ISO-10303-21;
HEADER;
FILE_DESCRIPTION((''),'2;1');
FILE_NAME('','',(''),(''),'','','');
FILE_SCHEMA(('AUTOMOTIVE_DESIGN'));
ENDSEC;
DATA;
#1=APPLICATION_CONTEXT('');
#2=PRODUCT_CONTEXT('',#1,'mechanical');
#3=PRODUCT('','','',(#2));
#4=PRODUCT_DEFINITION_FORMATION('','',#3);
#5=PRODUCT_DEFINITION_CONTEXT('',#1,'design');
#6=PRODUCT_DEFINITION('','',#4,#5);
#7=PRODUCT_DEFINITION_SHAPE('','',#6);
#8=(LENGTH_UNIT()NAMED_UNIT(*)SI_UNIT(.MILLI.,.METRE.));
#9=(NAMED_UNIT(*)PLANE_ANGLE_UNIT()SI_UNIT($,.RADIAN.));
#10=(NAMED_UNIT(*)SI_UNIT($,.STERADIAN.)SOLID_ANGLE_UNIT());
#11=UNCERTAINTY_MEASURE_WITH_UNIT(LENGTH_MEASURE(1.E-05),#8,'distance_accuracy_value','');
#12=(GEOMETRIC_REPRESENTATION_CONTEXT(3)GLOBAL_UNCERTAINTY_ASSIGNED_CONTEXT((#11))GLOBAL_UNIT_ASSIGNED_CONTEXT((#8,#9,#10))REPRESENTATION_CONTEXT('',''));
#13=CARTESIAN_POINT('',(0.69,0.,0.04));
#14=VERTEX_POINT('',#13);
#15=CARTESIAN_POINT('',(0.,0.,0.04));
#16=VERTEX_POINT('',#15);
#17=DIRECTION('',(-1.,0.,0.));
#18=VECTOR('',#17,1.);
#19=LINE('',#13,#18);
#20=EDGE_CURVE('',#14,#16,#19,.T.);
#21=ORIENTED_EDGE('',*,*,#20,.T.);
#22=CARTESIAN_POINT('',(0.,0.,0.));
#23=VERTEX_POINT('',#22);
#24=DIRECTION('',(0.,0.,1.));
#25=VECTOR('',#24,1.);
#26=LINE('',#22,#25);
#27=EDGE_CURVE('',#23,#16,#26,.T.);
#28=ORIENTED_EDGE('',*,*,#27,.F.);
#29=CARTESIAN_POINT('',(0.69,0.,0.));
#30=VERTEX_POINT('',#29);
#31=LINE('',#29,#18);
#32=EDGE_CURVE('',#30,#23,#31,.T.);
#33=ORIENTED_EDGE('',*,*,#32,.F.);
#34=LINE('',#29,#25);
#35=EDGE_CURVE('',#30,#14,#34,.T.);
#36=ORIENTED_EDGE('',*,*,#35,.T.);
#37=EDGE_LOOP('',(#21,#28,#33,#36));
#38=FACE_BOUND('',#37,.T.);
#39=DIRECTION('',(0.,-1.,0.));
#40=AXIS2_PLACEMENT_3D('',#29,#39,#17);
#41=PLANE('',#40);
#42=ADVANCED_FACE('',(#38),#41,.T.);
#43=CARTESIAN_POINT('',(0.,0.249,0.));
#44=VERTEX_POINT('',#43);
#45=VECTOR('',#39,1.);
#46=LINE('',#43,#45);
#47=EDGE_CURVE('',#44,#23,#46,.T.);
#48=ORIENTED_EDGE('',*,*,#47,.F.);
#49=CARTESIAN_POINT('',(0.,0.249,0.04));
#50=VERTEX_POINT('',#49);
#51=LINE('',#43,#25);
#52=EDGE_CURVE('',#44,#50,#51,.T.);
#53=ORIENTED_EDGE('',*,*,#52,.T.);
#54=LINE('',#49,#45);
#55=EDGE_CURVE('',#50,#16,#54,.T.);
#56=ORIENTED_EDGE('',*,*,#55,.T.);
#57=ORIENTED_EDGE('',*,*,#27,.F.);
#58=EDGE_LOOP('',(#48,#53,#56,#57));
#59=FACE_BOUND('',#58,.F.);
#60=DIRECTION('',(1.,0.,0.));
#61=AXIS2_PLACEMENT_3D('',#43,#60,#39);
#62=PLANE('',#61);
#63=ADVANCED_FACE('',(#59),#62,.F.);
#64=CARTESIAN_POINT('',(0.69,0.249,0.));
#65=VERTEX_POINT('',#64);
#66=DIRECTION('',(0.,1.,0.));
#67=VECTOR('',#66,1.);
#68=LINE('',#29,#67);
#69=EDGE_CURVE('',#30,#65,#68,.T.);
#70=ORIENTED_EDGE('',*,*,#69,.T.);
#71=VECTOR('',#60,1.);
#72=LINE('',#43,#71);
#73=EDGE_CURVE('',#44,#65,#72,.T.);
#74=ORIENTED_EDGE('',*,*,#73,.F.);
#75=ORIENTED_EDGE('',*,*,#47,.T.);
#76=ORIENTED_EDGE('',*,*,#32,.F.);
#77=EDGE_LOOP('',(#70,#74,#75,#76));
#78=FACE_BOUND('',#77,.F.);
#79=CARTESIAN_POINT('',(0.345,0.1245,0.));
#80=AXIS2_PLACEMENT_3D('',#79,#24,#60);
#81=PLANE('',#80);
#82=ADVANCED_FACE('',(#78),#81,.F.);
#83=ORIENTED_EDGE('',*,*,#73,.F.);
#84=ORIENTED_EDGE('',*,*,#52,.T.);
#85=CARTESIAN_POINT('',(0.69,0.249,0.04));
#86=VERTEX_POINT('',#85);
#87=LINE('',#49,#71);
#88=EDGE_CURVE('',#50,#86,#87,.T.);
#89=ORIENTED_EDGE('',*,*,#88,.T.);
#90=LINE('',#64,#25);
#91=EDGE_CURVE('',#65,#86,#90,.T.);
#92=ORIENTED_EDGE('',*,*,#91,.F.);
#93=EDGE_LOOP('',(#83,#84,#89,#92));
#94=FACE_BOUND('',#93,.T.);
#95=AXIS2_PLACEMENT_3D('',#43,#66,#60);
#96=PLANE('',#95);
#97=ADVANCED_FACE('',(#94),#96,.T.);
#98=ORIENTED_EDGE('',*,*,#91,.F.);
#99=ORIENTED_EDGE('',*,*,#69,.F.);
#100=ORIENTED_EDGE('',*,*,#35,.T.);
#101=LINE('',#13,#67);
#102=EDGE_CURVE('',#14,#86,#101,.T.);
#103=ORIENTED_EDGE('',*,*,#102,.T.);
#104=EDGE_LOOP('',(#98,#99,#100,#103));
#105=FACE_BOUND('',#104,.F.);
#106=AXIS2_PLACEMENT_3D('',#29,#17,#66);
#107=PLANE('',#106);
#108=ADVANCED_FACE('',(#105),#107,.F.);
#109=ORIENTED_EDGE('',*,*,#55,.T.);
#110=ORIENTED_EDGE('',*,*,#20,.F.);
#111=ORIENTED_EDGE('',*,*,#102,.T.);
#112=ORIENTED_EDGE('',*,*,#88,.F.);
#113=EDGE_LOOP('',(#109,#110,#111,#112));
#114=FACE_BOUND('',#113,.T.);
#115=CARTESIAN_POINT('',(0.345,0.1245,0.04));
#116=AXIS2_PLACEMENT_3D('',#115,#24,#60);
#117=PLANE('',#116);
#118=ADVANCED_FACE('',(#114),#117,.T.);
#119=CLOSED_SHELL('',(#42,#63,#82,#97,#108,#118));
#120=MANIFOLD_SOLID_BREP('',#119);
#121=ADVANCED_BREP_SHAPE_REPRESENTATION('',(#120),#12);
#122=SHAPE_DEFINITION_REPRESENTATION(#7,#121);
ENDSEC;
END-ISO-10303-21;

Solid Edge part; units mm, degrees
sketch "Sketch1" plane through (0, 0, 0) normal (0, 0, 1) x (1, 0, 0)
  line L0 (0, 0.249) -> (0, 0)
  line L1 (0.69, 0) -> (0, 0)
  line L2 (0.69, 0) -> (0.69, 0.249)
  line L3 (0, 0.249) -> (0.69, 0.249)
  dimension "D1" = 0.04
extrude "Protrusion1" add sketch "Sketch1" along normal blind 0.04
